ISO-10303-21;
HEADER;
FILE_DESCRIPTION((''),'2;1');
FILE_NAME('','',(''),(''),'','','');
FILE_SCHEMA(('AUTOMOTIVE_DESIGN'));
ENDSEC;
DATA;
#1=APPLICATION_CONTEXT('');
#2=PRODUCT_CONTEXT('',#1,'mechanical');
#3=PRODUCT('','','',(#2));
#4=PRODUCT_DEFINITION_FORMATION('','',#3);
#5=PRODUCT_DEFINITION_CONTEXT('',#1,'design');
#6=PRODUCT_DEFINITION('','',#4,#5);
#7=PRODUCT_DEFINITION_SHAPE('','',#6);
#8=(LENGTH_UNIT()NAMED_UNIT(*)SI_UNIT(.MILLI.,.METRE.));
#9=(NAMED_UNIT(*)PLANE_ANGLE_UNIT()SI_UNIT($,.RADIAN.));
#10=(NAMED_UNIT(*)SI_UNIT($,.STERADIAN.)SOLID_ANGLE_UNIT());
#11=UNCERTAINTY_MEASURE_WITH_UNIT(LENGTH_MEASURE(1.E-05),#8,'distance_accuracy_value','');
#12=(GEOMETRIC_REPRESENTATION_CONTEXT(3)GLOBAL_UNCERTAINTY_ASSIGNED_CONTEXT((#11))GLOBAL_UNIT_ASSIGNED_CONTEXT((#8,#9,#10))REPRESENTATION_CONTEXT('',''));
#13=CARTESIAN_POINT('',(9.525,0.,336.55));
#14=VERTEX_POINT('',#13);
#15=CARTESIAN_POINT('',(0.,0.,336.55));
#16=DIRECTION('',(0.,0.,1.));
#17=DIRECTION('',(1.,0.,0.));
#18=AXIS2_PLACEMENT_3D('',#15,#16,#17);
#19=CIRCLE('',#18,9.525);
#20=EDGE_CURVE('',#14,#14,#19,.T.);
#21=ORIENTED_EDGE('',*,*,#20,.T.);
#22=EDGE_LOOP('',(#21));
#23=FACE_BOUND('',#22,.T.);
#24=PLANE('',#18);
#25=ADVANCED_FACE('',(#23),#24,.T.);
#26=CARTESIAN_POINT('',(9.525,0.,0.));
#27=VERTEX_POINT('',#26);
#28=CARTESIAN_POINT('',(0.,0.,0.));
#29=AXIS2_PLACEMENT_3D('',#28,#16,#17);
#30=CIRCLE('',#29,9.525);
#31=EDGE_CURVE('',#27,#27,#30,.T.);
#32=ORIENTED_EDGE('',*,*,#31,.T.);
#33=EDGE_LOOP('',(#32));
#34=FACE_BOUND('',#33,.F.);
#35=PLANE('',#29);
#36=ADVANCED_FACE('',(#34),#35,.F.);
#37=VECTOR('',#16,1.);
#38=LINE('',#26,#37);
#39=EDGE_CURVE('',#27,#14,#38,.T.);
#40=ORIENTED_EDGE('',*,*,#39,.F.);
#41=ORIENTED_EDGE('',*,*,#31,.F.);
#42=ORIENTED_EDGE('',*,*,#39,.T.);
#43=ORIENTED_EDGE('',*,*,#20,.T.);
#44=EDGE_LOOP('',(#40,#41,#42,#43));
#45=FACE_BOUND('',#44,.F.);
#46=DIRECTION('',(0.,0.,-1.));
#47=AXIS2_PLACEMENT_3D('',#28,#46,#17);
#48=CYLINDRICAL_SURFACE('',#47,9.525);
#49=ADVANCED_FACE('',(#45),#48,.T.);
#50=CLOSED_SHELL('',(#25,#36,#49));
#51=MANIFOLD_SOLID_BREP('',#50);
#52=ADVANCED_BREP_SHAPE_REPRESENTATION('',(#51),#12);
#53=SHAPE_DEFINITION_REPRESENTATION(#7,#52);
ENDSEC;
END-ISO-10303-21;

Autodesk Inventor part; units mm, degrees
ref_plane "YZ Plane" through (0, 0, 0) normal (1, 0, 0) x (0, 1, 0)
ref_plane "XZ Plane" through (0, 0, 0) normal (0, 1, 0) x (-1, 0, 0)
ref_plane "XY Plane" through (0, 0, 0) normal (0, 0, 1) x (1, 0, 0)
sketch "Sketch1" plane through (0, 0, 0) normal (0, 0, 1) x (1, 0, 0)
  circle A0 centre (0, 0) radius 9.525
  dimension "d0" = 19.05
extrude "Extrusion1" add sketch "Sketch1" along normal blind 336.55
properties part number "left_tube_0"
